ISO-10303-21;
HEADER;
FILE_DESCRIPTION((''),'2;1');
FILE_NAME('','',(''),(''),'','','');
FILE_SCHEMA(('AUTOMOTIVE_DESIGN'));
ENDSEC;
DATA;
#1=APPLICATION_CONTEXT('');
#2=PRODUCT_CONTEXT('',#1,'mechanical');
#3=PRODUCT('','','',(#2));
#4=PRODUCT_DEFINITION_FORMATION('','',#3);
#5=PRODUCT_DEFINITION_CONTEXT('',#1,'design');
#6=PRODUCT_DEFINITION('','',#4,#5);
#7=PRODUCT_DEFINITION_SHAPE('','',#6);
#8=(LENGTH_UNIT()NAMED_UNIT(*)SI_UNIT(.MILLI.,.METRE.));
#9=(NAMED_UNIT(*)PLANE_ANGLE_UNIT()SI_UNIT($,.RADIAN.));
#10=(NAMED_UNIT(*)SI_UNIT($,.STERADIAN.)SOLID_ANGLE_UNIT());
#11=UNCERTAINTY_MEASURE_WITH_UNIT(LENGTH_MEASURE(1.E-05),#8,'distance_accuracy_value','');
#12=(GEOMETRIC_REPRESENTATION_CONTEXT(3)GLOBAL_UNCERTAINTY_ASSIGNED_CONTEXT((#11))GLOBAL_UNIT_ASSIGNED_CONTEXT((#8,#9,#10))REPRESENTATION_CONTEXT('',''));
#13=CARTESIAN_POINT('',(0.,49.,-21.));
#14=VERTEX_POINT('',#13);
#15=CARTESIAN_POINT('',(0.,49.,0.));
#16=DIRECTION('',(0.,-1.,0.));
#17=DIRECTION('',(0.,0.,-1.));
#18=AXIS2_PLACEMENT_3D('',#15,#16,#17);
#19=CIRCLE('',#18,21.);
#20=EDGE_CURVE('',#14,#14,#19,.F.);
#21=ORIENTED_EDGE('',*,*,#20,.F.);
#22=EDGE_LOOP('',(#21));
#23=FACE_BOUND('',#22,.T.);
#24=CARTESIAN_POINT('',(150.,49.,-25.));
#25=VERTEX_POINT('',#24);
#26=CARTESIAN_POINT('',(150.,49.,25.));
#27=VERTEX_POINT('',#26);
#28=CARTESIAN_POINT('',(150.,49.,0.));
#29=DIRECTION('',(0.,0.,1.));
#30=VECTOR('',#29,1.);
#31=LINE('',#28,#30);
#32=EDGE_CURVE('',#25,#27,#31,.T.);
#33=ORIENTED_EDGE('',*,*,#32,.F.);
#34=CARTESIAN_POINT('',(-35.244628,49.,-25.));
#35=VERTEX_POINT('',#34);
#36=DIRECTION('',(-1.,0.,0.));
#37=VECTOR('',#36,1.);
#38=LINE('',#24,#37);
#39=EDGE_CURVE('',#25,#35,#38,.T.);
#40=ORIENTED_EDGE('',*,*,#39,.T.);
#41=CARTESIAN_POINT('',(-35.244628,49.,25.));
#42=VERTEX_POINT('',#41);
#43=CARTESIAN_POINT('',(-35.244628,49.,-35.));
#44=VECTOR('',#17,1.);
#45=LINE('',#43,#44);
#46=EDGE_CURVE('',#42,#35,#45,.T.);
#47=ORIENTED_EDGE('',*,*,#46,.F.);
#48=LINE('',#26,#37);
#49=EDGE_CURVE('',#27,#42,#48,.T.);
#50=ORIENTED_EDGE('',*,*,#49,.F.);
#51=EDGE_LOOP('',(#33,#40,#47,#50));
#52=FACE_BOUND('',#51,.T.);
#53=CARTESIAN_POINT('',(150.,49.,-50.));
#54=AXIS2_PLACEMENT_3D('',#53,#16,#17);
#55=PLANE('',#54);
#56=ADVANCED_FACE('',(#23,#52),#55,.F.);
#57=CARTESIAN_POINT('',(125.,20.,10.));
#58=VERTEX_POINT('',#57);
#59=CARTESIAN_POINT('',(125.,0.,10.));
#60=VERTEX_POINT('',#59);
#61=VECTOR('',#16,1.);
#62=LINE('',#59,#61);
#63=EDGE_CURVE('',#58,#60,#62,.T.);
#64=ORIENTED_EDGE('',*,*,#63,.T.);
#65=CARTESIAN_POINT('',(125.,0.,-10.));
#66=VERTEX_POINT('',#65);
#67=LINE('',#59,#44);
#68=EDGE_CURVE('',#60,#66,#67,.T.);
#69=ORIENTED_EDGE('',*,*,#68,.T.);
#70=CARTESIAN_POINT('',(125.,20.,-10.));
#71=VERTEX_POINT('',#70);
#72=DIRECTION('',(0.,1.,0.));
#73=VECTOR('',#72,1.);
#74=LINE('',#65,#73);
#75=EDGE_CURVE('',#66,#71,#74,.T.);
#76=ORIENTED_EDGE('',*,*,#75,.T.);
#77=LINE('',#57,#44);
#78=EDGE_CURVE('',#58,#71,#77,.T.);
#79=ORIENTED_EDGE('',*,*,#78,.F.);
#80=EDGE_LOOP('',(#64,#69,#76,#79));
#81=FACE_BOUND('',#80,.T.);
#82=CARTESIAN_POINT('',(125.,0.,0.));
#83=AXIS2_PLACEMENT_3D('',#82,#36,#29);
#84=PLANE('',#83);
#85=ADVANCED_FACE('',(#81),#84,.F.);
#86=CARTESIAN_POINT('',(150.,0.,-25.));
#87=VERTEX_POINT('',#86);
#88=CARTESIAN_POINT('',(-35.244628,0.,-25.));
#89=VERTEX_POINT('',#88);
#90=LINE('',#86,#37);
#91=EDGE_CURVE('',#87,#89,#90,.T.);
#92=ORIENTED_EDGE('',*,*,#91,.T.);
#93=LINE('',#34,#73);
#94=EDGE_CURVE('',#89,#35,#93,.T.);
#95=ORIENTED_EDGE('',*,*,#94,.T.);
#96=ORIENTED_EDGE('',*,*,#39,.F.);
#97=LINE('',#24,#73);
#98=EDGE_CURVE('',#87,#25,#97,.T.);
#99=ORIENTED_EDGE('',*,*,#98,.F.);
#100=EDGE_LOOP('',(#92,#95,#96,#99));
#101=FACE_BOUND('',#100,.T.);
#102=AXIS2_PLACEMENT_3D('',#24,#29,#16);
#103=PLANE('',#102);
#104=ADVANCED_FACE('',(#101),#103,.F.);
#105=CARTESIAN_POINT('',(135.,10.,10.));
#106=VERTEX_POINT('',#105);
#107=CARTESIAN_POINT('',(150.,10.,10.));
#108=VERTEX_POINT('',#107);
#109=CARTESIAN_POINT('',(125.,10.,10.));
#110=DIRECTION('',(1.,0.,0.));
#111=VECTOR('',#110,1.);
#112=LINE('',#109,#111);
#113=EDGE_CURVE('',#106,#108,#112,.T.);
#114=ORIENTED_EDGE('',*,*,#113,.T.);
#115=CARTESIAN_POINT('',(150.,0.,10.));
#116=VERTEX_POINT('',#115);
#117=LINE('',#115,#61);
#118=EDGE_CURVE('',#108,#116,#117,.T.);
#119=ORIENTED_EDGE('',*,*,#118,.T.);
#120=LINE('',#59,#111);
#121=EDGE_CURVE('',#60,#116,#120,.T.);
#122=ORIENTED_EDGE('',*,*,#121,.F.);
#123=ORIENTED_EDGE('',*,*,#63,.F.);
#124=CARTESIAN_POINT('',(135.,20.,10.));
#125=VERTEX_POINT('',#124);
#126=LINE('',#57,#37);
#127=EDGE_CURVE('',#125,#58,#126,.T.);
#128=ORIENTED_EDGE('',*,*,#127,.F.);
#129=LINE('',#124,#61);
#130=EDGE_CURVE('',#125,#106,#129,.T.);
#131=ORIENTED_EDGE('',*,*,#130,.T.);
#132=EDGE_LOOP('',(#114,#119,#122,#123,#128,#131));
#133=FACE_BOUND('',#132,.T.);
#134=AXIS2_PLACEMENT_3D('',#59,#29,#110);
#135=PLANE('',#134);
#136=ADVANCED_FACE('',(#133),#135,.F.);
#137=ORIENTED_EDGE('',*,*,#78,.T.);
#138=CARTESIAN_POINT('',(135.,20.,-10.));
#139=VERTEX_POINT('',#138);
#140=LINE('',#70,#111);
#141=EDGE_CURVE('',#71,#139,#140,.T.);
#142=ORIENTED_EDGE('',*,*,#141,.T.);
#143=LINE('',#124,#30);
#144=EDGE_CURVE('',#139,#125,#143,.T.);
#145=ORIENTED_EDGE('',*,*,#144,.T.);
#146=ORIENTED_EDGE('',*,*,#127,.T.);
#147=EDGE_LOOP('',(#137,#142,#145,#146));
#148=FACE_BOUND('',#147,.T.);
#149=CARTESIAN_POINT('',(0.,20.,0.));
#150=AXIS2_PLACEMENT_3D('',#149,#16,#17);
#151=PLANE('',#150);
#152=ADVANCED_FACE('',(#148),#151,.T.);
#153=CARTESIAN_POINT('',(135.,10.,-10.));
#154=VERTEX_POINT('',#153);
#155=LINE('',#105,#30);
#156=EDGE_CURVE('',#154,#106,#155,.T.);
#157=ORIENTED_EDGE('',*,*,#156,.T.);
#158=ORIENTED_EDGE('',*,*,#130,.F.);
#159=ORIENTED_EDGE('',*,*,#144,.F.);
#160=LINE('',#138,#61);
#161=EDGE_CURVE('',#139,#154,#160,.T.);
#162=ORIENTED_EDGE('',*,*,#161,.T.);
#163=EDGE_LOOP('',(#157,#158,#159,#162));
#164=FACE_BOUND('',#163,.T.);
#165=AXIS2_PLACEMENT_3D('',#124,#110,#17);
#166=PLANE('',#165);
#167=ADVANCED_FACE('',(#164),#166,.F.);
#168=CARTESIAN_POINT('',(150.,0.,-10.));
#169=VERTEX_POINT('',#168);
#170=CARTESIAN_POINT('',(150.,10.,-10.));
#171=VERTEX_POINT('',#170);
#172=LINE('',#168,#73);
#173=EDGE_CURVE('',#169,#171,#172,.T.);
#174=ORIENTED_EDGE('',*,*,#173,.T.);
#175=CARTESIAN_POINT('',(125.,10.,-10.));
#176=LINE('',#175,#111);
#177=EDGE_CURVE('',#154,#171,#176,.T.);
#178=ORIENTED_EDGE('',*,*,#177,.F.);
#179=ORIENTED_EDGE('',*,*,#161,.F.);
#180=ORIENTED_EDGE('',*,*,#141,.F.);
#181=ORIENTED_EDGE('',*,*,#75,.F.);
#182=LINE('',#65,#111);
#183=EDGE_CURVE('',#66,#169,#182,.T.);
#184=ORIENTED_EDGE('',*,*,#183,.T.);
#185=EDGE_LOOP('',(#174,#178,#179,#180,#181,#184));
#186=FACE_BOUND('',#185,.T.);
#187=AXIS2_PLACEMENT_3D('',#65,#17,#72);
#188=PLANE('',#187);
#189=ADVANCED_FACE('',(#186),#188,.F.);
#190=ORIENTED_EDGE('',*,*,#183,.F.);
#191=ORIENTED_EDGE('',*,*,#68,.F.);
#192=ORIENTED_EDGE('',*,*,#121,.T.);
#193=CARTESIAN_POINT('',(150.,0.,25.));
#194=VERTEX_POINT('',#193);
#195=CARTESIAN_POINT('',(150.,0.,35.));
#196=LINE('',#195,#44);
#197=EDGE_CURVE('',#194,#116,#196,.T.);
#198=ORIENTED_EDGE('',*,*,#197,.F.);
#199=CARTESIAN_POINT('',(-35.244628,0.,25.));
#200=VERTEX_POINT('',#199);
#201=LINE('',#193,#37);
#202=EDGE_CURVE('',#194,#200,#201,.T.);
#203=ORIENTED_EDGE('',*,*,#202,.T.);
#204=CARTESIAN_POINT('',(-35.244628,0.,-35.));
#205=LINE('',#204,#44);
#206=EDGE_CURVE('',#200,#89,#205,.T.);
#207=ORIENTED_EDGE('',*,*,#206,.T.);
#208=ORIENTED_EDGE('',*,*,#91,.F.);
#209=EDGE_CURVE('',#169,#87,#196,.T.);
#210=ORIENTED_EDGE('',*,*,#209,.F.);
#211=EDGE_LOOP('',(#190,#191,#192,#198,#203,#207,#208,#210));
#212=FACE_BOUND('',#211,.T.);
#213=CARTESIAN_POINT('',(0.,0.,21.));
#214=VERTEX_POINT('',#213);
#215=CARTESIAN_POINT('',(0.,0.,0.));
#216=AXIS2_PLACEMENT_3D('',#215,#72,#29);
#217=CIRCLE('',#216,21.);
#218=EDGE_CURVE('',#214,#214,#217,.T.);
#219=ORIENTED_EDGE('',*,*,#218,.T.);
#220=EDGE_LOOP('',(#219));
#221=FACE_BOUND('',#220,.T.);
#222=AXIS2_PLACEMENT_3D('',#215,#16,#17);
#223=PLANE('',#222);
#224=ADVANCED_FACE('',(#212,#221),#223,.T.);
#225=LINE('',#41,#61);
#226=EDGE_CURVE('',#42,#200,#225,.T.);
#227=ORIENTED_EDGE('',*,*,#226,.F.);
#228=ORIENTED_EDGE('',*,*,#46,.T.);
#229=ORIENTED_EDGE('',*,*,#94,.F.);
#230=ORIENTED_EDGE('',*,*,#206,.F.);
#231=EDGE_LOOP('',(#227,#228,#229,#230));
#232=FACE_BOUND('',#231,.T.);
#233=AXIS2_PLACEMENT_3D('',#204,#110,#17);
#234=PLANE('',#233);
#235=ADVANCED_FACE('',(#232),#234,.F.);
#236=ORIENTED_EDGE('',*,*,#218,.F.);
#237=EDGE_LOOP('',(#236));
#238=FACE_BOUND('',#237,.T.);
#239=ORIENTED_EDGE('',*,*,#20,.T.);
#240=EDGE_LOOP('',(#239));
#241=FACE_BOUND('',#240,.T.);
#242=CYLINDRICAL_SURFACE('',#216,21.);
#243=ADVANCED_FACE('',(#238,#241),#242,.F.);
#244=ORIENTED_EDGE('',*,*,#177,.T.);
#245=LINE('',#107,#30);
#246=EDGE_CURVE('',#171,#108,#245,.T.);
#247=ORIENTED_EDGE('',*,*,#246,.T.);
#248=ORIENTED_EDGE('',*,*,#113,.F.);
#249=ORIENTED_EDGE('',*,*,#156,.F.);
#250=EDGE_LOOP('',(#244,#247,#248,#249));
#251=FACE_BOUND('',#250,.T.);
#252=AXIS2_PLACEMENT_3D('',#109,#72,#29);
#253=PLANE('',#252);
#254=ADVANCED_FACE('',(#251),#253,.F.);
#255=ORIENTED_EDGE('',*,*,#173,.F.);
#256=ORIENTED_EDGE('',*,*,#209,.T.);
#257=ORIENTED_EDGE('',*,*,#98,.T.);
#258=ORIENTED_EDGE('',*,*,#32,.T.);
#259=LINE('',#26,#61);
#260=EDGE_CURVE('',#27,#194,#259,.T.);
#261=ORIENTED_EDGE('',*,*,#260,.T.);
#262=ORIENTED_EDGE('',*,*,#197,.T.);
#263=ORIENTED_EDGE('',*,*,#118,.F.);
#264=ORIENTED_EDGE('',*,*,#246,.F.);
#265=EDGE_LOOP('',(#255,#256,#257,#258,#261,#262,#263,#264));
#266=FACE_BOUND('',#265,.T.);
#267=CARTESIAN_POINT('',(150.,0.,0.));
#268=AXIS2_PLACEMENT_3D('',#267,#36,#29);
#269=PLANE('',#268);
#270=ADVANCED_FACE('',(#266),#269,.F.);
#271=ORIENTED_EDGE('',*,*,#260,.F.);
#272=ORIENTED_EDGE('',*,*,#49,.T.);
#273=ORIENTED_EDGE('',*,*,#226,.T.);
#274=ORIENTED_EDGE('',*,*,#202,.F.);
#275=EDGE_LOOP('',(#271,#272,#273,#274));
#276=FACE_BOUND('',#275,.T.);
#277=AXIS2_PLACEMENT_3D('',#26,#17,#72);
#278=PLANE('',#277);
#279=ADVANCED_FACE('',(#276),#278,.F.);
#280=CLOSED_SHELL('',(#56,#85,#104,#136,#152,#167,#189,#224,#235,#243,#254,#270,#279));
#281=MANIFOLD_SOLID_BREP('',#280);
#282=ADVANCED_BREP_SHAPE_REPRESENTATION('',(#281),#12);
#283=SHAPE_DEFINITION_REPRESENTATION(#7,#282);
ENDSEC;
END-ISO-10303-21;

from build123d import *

# Parameters (mm, degrees)
SKETCH1_W           = 100
SKETCH1_H           = 100
BOSS_EXTRUDE1_DEPTH = 50
SKETCH2_R           = 21
CUT_EXTRUDE1_DEPTH  = 87.602540378
SKETCH3_W           = 70
SKETCH3_H           = 50
BOSS_EXTRUDE2_DEPTH = 100
SKETCH4_W           = 100
SKETCH4_H           = 1
CUT_EXTRUDE2_DEPTH  = 213.132034356
SKETCH6_W           = 20
SKETCH6_H           = 10
CUT_EXTRUDE3_DEPTH  = 25
SKETCH7_W           = 10
SKETCH7_H           = 20
CUT_EXTRUDE4_DEPTH  = 10
SKETCH8_W           = 15
SKETCH8_H           = 49
CUT_EXTRUDE5_DEPTH  = 123.069652248
SKETCH9_W           = 14.755371785
SKETCH9_H           = 70
CUT_EXTRUDE6_DEPTH  = 162.635392164
SKETCH10_W          = 10
SKETCH10_H          = 49
CUT_EXTRUDE7_DEPTH  = 195.785965312


with BuildPart() as part:
    # Sketch1 → Boss-Extrude1 (new body)
    with BuildSketch(Plane(origin=(0, 0, 0), x_dir=(1, 0, 0), z_dir=(0, 1, 0))):
        Rectangle(SKETCH1_W, SKETCH1_H)
    extrude(amount=BOSS_EXTRUDE1_DEPTH)

    # Sketch2 → Cut-Extrude1 (cut, through all)
    with BuildSketch(Plane(origin=(0, 50, 0), x_dir=(1, 0, 0), z_dir=(0, 1, 0))):
        with Locations(Location((0, 0, 0), (0, 0, 270))):
            Circle(SKETCH2_R)
    extrude(amount=-CUT_EXTRUDE1_DEPTH, mode=Mode.SUBTRACT)

    # Sketch3 → Boss-Extrude2 (add)
    with BuildSketch(Plane(origin=(50, 0, 0), x_dir=(0, 0, -1), z_dir=(1, 0, 0))):
        with Locations((0, 25)):
            Rectangle(SKETCH3_W, SKETCH3_H)
    extrude(amount=BOSS_EXTRUDE2_DEPTH)

    # Sketch4 → Cut-Extrude2 (cut, through all)
    with BuildSketch(Plane.ZY.offset(50)):
        with Locations((0, 49.5)):
            Rectangle(SKETCH4_W, SKETCH4_H)
    extrude(amount=-CUT_EXTRUDE2_DEPTH, mode=Mode.SUBTRACT)

    # Sketch6 → Cut-Extrude3 (cut)
    with BuildSketch(Plane(origin=(150, 0, 0), x_dir=(0, 0, -1), z_dir=(1, 0, 0))):
        with Locations((0, 5)):
            Rectangle(SKETCH6_W, SKETCH6_H)
    extrude(amount=-CUT_EXTRUDE3_DEPTH, mode=Mode.SUBTRACT)

    # Sketch7 → Cut-Extrude4 (cut)
    with BuildSketch(Plane.XZ.offset(-10)):
        with Locations((130, 0)):
            Rectangle(SKETCH7_W, SKETCH7_H)
    extrude(amount=-CUT_EXTRUDE4_DEPTH, mode=Mode.SUBTRACT)

    # Sketch8 → Cut-Extrude5 (cut, through all)
    with BuildSketch(Plane(origin=(50, 0, 0), x_dir=(0, 0, -1), z_dir=(1, 0, 0))):
        with Locations((42.5, 24.5)):
            Rectangle(SKETCH8_W, SKETCH8_H)
        with Locations((-42.5, 24.5)):
            Rectangle(SKETCH8_W, SKETCH8_H)
    extrude(amount=-CUT_EXTRUDE5_DEPTH, mode=Mode.SUBTRACT)

    # Sketch9 → Cut-Extrude6 (cut, through all)
    with BuildSketch(Plane(origin=(0, 49, 0), x_dir=(1, 0, 0), z_dir=(0, 1, 0))):
        with Locations((-42.622314108, 0)):
            Rectangle(SKETCH9_W, SKETCH9_H)
    extrude(amount=-CUT_EXTRUDE6_DEPTH, mode=Mode.SUBTRACT)

    # Sketch10 → Cut-Extrude7 (cut, through all)
    with BuildSketch(Plane.ZY.offset(35.244628215)):
        with Locations((-30, 24.5)):
            Rectangle(SKETCH10_W, SKETCH10_H)
        with Locations((30, 24.5)):
            Rectangle(SKETCH10_W, SKETCH10_H)
    extrude(amount=-CUT_EXTRUDE7_DEPTH, mode=Mode.SUBTRACT)


solid = part.part
